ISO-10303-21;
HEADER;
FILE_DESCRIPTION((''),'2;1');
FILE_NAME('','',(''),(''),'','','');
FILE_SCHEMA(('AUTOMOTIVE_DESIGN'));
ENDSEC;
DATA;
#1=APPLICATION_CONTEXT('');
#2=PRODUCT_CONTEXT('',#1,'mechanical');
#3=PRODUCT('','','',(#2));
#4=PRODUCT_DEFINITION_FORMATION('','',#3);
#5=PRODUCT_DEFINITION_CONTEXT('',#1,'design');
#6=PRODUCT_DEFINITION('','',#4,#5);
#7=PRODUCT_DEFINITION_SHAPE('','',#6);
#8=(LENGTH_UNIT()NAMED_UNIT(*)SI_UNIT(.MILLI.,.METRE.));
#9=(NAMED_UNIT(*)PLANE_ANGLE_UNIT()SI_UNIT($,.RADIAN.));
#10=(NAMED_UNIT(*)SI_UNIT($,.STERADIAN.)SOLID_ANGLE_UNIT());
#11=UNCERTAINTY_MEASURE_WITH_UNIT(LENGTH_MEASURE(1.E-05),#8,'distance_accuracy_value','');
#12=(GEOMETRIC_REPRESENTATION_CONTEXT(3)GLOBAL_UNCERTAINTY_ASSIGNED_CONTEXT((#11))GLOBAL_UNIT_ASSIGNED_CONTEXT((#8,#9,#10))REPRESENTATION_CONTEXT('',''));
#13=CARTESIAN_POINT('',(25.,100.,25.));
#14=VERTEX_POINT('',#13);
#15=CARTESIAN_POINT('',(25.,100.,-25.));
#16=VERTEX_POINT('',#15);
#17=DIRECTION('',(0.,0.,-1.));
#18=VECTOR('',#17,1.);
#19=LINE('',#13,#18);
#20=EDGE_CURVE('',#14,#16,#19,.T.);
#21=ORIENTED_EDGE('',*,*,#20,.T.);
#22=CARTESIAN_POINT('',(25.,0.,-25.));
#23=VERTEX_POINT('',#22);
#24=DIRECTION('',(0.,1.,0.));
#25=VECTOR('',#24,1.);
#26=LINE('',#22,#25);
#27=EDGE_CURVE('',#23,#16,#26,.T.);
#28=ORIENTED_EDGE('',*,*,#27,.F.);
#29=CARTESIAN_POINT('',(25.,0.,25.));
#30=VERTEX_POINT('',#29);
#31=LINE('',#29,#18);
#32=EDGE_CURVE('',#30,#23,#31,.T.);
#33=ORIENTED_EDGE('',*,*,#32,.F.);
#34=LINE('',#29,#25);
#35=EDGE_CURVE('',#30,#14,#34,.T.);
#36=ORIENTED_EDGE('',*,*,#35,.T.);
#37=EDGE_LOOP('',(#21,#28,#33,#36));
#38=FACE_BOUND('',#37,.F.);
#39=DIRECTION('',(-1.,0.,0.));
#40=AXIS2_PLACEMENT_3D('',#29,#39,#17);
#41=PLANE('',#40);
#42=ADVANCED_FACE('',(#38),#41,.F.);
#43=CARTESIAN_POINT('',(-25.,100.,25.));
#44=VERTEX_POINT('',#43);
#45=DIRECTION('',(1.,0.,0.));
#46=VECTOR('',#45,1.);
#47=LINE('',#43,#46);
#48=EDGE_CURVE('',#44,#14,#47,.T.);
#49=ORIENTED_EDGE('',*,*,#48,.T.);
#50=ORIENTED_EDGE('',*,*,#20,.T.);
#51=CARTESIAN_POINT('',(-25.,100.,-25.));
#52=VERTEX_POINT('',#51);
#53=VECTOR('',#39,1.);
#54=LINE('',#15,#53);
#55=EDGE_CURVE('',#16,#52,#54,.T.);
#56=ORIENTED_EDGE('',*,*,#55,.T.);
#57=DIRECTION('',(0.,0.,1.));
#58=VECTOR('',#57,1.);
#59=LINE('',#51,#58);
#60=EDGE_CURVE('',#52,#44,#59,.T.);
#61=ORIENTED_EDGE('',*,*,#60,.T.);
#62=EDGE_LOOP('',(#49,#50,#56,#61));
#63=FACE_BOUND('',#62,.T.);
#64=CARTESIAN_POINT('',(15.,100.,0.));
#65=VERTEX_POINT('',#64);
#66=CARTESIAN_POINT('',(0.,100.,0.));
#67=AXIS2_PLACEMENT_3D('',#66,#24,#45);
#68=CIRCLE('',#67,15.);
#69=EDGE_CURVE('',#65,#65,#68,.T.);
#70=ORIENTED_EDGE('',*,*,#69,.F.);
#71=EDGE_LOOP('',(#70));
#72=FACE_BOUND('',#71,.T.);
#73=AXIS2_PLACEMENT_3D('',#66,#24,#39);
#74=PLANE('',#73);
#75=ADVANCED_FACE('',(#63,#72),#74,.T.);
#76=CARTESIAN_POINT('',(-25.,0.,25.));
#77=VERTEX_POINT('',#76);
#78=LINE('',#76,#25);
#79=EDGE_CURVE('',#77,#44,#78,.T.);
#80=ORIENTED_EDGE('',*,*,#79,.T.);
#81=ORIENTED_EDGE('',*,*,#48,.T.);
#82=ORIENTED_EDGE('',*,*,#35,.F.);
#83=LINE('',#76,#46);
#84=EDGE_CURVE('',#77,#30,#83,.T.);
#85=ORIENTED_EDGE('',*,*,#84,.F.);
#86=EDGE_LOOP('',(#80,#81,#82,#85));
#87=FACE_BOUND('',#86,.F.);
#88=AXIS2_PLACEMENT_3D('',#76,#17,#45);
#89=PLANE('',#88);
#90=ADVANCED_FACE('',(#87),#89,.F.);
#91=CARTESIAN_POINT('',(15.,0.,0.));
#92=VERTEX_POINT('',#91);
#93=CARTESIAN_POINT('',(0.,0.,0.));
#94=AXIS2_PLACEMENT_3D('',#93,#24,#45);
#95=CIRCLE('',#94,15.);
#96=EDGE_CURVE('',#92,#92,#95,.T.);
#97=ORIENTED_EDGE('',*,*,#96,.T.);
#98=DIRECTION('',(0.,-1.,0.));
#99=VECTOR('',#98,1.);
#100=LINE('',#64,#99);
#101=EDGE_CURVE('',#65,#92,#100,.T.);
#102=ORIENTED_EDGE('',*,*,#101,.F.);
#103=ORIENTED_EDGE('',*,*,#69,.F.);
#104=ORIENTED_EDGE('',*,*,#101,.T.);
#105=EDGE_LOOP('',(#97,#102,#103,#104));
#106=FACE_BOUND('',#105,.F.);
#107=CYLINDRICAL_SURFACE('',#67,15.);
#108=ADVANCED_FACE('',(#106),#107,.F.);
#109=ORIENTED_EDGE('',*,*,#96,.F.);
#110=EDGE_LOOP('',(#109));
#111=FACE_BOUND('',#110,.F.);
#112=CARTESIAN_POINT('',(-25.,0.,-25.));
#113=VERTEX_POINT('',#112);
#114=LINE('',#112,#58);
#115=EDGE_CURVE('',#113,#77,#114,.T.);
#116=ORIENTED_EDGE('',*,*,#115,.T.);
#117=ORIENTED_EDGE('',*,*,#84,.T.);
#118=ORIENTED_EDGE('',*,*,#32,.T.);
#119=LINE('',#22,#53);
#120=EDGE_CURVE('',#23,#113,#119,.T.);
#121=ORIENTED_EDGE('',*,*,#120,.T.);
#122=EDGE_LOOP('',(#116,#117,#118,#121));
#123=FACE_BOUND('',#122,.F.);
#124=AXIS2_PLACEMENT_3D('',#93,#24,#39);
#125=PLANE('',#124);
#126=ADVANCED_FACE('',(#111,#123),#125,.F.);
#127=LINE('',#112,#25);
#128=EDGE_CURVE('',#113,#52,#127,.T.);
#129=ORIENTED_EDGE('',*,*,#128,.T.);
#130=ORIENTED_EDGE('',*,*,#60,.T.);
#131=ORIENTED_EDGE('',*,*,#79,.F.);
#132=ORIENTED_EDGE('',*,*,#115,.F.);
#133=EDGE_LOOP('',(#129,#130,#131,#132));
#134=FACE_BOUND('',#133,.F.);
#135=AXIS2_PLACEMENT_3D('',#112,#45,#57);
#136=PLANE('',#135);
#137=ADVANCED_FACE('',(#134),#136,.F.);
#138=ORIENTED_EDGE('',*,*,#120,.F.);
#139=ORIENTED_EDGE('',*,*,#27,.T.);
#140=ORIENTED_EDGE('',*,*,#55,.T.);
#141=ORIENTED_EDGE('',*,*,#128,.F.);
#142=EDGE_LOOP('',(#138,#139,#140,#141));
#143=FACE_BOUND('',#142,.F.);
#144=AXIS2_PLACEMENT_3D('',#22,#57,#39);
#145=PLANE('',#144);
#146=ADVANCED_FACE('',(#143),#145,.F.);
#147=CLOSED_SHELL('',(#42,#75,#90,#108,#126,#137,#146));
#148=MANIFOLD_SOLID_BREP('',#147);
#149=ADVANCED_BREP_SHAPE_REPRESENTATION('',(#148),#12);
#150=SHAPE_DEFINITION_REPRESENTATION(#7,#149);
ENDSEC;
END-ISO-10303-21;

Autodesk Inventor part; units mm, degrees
ref_plane "YZ Plane" through (0, 0, 0) normal (1, 0, 0) x (0, 1, 0)
ref_plane "XZ Plane" through (0, 0, 0) normal (0, 1, 0) x (-1, 0, 0)
ref_plane "XY Plane" through (0, 0, 0) normal (0, 0, 1) x (1, 0, 0)
sketch "Szkic1" plane through (0, 0, 0) normal (0, 1, 0) x (-1, 0, 0)
  line L0 (25, 25) -> (-25, 25)
  line L1 (-25, 25) -> (-25, -25)
  line L2 (-25, -25) -> (25, -25)
  line L3 (25, -25) -> (25, 25)
  line L4 (25, 25) -> (-25, -25) construction
  line L5 (-25, 25) -> (25, -25) construction
  point P0 (0, 0)
  dimension "d0" = 50
  dimension "d1" = 50
extrude "Wyciągnięcie proste1" add sketch "Szkic1" along normal blind 100
sketch "Szkic2" plane through (0, 100, 0) normal (0, 1, 0) x (1, 0, 0)
  circle A0 centre (0, 0) radius 15
  dimension "d4" = 30
extrude "Wyciągnięcie proste2" cut sketch "Szkic2" against normal through all
properties part number "LinearConnector" material "Aluminium 6061"
